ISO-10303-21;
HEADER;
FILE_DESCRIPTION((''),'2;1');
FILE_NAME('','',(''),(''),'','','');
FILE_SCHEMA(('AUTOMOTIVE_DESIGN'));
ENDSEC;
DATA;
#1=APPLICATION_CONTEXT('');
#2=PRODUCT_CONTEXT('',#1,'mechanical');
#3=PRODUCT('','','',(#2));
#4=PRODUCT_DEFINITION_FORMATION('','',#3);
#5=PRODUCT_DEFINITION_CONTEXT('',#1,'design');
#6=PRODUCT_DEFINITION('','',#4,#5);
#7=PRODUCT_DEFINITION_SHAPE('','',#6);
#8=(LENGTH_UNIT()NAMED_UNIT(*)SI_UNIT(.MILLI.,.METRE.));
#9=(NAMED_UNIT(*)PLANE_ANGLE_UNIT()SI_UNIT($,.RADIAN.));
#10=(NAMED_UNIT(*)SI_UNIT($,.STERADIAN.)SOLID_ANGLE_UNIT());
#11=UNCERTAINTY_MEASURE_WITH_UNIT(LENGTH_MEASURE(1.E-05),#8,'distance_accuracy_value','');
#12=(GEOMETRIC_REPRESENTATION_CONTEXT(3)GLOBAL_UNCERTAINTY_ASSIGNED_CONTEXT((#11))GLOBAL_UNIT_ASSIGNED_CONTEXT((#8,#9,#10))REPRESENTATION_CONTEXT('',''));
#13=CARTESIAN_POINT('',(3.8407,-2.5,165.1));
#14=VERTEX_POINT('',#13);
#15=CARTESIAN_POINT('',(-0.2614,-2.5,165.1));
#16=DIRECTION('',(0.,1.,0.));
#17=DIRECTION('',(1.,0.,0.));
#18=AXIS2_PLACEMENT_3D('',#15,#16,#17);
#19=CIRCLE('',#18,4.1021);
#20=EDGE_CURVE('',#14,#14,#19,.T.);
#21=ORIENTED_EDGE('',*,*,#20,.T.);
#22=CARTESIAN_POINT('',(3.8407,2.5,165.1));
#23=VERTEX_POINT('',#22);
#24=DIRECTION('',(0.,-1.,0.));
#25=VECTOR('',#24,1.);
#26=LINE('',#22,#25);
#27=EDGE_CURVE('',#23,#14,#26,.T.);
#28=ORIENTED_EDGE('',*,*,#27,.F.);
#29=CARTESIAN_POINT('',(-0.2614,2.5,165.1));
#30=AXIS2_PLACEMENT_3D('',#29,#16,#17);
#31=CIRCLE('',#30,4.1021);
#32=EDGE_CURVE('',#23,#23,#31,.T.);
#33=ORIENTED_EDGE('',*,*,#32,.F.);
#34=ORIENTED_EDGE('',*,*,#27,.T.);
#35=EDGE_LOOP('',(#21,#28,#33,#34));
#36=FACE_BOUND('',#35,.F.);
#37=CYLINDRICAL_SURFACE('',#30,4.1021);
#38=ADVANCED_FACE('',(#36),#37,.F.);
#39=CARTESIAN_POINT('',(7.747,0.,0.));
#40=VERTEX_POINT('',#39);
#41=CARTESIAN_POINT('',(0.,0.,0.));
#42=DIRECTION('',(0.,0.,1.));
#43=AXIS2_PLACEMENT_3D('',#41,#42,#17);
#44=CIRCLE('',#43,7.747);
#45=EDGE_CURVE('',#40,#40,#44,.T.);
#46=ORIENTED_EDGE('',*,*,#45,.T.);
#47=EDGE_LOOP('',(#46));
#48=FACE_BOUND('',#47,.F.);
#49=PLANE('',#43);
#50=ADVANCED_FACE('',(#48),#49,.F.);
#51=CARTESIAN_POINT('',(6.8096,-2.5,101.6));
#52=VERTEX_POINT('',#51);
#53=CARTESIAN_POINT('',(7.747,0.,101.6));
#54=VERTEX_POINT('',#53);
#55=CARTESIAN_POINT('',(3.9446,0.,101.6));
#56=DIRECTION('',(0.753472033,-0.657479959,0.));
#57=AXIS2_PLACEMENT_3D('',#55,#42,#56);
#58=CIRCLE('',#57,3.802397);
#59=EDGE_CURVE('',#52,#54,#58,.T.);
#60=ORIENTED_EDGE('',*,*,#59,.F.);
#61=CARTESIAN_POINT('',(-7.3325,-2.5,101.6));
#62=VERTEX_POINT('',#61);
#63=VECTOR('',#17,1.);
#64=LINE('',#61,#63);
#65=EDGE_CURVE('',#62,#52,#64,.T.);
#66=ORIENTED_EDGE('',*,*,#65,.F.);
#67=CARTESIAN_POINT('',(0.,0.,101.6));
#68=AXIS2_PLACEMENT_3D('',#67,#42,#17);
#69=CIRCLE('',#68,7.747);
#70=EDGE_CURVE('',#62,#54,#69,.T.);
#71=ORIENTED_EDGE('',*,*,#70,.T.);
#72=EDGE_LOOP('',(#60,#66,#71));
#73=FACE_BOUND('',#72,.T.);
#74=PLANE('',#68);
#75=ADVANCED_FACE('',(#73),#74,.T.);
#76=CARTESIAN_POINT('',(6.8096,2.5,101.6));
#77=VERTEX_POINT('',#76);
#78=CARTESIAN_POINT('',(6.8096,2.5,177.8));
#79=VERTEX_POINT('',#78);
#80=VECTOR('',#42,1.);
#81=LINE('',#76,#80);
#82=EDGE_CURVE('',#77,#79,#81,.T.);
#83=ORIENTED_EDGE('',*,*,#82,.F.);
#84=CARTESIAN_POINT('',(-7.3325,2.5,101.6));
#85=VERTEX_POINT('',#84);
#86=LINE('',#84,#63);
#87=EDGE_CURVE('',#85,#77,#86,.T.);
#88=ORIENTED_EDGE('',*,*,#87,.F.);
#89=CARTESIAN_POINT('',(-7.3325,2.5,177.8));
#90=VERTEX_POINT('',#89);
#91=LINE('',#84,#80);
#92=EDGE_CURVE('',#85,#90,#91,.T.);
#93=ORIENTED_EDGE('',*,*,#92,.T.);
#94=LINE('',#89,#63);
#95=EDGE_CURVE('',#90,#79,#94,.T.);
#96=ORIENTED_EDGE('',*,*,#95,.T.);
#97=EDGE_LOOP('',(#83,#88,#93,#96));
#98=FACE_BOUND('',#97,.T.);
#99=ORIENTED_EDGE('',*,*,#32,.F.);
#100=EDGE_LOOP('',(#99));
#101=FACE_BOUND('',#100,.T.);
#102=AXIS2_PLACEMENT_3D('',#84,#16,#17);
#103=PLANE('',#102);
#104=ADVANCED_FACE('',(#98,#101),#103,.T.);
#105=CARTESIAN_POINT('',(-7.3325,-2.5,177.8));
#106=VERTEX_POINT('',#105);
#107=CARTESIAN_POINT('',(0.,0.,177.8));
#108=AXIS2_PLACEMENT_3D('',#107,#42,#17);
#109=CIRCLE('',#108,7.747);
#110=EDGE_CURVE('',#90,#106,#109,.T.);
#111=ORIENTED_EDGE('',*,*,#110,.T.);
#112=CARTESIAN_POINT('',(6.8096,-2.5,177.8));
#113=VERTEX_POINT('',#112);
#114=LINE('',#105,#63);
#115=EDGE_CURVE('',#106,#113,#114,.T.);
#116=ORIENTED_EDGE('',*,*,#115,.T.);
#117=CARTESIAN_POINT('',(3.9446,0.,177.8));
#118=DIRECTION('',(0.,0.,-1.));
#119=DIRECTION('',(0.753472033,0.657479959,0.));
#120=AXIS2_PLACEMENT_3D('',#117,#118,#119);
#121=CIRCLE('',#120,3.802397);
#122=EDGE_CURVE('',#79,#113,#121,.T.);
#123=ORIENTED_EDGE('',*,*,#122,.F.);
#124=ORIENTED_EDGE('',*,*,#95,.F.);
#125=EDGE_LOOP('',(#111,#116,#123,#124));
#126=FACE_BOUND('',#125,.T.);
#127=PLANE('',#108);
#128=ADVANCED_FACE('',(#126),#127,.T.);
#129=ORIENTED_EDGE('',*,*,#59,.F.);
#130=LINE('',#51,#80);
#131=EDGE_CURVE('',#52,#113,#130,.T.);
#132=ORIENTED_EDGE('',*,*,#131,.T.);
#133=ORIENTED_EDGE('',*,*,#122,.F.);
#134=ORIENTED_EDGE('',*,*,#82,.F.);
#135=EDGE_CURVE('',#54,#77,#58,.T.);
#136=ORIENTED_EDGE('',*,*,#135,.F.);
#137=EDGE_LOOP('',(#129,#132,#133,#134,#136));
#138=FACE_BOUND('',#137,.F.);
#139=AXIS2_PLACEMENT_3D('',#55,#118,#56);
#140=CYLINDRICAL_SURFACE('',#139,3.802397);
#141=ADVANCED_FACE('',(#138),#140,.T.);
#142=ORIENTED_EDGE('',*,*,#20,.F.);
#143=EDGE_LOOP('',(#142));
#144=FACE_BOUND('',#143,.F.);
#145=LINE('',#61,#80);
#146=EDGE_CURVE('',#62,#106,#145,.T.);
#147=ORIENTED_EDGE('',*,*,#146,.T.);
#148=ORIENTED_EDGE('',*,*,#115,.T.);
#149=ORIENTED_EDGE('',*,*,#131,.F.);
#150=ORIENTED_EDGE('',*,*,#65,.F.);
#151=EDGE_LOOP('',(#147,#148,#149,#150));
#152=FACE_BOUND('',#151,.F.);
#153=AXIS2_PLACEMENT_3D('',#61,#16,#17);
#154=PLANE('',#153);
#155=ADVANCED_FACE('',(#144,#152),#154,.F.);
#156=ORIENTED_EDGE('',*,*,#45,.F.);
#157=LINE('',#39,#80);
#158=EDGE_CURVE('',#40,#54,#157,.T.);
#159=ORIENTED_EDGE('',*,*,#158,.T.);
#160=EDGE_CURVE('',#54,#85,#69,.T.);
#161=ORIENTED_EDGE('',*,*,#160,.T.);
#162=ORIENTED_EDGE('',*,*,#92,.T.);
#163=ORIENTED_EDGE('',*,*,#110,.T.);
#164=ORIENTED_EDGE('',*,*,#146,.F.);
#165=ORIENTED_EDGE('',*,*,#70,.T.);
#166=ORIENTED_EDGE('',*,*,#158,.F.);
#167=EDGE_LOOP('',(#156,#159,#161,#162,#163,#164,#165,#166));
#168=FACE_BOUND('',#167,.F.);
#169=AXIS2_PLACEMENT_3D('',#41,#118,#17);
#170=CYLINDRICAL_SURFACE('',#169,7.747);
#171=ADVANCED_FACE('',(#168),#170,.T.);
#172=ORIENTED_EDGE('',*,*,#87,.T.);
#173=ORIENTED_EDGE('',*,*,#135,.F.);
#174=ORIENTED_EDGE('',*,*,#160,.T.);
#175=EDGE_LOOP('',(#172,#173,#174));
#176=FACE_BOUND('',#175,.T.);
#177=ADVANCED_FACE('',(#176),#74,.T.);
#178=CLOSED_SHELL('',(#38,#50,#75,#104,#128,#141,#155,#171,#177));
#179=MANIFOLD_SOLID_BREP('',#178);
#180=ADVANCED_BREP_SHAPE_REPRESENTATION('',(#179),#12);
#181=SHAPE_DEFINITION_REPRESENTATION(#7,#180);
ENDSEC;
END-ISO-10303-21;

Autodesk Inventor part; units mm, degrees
ref_plane "YZ Plane" through (0, 0, 0) normal (1, 0, 0) x (0, 1, 0)
ref_plane "XZ Plane" through (0, 0, 0) normal (0, 1, 0) x (-1, 0, 0)
ref_plane "XY Plane" through (0, 0, 0) normal (0, 0, 1) x (1, 0, 0)
sketch "Sketch1" plane through (0, 0, 0) normal (0, 0, 1) x (1, 0, 0)
  circle A0 centre (0, 0) radius 7.747
  dimension "d0" = 15.494
extrude "Extrusion1" add sketch "Sketch1" along normal blind 101.6
sketch "Sketch2" plane through (0, 0, 101.6) normal (0, 0, 1) x (1, 0, 0)
  line L0 (-7.3325, 2.5) -> (6.8096, 2.5)
  line L1 (-7.3325, -2.5) -> (6.8096, -2.5)
  arc A0 (-7.3325, 2.5) -> (-7.3325, -2.5) centre (-4.4675, 0) ccw
  arc A1 (6.8096, -2.5) -> (6.8096, 2.5) centre (3.9446, 0) ccw
  circle A2 centre (0, 0) radius 7.747 projected
  point P0 (7.747, 0)
  dimension "d3" = 2.5
  dimension "d4" = 2.5
  dimension "d5" = 14.1421
  dimension "d6" = 14.1421
extrude "Extrusion2" add sketch "Sketch2" along normal blind 76.2 contours L0 A1 L1 A2
sketch "Sketch3" plane through (-7.3325, 2.5, 101.6) normal (0, 1, 0) x (1, 0, 0)
  circle A0 centre (7.0711, -63.5) radius 4.1021
  line L0 (14.1421, -76.2) -> (0, -76.2) projected
  line L1 (0, 0) -> (0, -76.2) projected
  line L2 (14.1421, 0) -> (14.1421, -76.2) projected
  point P0 (7.3325, 101.6)
  dimension "d9" = 8.2042
  dimension "d10" = 12.7
  dimension "d11" = 7.0711
  dimension "d12" = 14.1421
extrude "Extrusion3" cut sketch "Sketch3" against normal through all
equation "\"d4\" = d3"
equation "\"d11\" = 0.5 * d12"
properties part number "Ring Connector model"
